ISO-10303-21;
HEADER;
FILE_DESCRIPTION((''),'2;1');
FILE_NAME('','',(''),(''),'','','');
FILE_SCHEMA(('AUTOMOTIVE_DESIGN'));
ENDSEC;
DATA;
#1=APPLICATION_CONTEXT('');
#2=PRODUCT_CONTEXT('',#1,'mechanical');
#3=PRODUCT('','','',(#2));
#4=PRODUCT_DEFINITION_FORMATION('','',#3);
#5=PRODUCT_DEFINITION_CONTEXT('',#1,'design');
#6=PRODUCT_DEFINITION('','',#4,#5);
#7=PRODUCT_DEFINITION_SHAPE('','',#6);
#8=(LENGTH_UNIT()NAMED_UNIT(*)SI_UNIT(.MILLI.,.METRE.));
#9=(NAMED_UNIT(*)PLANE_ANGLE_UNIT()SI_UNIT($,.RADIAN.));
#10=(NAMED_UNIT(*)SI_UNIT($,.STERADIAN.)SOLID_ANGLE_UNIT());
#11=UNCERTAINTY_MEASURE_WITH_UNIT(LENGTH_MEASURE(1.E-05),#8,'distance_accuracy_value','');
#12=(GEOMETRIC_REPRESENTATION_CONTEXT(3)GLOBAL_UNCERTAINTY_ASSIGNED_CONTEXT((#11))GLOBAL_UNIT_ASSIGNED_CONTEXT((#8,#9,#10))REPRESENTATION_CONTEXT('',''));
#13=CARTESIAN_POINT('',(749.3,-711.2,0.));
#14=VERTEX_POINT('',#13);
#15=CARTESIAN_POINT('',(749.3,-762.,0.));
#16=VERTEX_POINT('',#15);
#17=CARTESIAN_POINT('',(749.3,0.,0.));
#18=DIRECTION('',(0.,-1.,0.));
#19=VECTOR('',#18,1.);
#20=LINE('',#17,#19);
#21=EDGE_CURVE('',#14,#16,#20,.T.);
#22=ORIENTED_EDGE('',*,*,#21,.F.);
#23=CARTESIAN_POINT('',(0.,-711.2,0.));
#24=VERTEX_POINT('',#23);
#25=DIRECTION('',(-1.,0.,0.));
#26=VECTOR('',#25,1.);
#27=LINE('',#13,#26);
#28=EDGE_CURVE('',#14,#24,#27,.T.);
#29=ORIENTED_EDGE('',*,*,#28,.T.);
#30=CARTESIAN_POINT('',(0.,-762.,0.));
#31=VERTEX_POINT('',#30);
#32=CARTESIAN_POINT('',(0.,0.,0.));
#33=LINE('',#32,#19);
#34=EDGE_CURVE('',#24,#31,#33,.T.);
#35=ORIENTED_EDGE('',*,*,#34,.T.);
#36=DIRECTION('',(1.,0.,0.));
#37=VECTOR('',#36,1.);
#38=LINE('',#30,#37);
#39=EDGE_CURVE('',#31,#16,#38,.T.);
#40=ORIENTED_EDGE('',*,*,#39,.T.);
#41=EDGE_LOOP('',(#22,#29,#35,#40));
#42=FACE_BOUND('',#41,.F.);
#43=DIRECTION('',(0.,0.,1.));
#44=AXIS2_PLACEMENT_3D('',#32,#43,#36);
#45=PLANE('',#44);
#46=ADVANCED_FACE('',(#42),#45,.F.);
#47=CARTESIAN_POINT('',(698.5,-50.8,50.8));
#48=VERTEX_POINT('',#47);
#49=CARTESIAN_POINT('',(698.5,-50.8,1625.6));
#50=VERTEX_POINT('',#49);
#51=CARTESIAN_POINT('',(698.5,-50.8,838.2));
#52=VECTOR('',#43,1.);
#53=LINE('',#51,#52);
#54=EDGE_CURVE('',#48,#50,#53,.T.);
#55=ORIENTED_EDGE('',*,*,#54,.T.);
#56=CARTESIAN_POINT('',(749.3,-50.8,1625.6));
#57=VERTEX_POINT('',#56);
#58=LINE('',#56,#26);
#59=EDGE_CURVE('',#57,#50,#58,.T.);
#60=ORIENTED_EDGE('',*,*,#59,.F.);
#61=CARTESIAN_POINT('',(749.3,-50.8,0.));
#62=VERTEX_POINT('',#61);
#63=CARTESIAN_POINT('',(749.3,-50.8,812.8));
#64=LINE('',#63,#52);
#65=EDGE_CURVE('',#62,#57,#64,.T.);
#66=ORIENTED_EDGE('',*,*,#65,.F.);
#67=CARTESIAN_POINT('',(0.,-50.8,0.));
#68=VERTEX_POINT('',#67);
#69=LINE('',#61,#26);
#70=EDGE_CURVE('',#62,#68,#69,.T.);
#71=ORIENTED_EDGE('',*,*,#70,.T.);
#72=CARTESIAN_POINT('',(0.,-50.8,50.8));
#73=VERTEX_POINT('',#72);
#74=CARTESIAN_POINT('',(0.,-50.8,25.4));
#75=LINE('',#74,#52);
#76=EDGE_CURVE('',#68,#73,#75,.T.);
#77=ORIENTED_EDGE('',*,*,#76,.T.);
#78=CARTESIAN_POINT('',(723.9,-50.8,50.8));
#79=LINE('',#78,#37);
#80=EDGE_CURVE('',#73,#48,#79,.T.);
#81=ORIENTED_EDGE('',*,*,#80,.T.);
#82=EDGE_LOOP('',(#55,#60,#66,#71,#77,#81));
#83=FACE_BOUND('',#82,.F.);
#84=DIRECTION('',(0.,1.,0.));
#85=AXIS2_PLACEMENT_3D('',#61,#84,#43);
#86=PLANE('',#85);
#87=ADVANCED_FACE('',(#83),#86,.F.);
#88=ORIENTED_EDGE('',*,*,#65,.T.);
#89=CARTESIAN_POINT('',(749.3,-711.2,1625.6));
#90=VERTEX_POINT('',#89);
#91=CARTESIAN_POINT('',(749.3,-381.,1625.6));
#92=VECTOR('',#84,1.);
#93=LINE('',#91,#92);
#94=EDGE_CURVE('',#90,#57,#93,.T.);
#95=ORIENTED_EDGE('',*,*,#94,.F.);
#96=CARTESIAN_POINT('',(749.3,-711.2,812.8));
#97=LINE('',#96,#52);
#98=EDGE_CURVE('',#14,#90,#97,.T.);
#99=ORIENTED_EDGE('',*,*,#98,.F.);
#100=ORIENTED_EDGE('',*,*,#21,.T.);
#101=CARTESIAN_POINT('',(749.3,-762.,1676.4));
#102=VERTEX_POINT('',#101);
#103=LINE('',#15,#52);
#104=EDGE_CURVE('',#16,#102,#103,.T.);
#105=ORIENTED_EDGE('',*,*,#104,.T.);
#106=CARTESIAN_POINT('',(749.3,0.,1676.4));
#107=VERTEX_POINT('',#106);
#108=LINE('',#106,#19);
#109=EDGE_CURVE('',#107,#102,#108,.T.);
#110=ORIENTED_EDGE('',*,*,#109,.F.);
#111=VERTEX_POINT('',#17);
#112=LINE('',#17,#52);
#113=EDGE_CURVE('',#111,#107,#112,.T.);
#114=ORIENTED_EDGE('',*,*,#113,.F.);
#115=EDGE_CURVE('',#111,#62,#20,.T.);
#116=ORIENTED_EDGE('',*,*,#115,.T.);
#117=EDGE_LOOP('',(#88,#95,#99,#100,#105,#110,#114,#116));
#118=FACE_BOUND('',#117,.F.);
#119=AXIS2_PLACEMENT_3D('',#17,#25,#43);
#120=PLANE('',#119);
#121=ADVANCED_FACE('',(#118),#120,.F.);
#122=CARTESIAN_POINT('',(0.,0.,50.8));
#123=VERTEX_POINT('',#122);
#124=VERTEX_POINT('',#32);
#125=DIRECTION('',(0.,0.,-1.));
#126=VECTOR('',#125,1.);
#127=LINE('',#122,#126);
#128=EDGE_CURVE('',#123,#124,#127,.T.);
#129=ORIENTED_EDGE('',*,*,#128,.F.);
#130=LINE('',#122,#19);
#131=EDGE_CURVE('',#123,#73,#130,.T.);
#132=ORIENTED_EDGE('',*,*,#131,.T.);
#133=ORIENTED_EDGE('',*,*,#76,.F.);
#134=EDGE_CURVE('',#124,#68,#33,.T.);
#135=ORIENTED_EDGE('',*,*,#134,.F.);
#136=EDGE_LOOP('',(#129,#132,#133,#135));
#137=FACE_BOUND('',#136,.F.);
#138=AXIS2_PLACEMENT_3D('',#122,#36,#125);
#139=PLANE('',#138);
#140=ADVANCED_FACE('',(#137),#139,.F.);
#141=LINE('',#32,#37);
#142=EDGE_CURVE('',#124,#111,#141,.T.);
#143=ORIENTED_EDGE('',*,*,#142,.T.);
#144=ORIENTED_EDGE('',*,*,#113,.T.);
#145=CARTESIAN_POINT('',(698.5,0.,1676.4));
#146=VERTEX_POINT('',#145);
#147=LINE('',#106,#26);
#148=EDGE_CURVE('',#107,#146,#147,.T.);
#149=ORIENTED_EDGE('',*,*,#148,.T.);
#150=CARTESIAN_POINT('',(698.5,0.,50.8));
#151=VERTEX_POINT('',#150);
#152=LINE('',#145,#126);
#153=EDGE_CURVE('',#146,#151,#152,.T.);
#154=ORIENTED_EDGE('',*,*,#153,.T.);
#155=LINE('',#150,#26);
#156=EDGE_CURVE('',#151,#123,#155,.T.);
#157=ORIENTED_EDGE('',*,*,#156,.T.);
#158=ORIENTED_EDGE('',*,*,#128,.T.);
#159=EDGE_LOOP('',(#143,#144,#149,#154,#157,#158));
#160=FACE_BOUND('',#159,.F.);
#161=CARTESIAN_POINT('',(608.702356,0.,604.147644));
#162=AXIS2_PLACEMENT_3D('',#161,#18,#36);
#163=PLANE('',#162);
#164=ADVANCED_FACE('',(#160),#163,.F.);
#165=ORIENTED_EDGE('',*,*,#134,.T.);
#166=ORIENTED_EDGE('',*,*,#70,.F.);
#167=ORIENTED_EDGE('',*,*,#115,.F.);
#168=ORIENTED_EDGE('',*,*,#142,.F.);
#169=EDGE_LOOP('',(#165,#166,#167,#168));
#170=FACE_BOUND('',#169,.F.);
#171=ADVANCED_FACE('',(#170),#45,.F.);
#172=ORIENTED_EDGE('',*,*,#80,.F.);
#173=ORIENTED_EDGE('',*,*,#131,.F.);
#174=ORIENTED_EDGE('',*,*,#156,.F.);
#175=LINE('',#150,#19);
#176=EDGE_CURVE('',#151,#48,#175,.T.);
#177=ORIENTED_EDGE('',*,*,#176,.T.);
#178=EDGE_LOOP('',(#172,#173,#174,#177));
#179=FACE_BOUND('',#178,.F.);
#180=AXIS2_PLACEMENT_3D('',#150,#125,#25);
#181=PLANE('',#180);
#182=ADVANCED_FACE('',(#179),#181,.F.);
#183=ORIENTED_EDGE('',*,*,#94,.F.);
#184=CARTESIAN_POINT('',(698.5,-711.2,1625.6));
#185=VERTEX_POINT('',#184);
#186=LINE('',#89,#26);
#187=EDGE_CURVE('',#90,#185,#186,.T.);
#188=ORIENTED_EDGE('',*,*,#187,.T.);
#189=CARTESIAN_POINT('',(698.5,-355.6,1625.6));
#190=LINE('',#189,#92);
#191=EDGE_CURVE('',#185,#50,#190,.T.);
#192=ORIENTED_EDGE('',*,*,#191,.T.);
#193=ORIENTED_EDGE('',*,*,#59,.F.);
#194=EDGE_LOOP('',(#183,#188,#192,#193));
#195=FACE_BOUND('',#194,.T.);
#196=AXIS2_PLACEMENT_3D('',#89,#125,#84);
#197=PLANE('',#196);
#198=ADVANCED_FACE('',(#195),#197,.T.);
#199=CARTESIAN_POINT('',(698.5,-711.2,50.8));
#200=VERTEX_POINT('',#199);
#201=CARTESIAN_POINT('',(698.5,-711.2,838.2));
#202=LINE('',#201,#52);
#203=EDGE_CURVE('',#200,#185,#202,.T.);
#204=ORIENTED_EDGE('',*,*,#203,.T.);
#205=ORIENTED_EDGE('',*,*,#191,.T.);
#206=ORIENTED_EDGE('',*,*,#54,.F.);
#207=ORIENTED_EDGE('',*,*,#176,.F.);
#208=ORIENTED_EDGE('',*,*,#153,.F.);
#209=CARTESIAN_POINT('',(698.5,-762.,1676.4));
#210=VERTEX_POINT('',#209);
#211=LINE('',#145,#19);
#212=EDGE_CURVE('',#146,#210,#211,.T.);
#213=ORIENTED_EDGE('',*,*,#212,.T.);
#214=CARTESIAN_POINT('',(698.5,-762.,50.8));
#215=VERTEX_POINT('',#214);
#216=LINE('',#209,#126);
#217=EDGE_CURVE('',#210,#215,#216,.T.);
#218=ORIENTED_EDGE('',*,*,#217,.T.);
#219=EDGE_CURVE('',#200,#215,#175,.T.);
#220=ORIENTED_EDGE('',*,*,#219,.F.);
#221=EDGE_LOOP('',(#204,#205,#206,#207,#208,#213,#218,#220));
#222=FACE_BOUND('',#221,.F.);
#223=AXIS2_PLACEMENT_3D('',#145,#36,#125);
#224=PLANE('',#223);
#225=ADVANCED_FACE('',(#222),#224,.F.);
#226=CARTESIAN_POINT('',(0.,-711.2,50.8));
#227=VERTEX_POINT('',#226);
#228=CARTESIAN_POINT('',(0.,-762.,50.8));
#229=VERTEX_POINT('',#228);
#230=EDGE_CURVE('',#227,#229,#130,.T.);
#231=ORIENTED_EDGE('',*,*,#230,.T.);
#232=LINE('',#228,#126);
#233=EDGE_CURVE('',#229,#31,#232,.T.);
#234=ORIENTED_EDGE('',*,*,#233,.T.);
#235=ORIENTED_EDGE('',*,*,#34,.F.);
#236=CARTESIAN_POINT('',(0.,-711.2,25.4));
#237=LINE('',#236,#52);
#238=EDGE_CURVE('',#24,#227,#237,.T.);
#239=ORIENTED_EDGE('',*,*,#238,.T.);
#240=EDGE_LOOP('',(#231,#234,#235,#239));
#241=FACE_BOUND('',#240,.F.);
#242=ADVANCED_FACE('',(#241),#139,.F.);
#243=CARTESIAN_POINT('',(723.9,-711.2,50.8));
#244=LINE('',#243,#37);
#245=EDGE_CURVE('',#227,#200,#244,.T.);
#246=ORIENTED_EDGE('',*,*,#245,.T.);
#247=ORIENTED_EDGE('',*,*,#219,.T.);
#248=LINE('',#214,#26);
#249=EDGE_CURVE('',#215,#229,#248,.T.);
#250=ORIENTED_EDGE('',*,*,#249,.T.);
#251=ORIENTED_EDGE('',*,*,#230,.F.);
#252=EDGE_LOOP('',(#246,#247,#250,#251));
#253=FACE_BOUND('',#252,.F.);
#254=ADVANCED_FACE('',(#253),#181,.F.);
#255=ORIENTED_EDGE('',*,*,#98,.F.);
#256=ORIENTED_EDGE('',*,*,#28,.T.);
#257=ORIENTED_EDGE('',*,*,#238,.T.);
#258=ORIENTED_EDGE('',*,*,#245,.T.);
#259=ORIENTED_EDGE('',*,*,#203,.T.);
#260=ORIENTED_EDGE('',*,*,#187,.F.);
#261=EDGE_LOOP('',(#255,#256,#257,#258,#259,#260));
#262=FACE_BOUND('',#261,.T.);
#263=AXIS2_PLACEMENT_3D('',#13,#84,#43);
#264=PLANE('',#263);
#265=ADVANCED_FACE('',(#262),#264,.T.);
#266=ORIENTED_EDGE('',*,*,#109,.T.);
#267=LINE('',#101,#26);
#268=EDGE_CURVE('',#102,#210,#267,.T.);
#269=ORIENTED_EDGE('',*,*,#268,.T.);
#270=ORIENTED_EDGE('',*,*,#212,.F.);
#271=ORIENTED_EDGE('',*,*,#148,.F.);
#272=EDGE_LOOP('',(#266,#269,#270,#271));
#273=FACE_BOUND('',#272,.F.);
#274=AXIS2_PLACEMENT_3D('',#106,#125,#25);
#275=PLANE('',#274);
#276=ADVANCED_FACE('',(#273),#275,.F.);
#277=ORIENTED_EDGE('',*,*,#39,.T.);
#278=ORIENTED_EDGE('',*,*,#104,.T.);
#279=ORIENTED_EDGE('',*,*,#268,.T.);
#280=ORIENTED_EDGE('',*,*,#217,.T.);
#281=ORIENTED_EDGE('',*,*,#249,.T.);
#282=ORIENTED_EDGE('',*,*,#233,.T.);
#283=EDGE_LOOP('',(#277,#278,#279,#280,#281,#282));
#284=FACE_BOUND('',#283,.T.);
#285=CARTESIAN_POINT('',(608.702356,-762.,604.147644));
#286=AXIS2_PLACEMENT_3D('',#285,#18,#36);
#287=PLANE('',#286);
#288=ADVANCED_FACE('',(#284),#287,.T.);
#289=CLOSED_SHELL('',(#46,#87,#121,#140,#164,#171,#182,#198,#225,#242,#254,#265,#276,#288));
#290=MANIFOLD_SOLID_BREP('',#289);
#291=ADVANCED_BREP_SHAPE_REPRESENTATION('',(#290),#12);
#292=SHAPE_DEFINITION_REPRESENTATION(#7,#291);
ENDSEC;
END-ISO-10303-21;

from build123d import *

# Parameters (mm, degrees)
F1_DEPTH = 762
F2_W     = 660.4
F2_H     = 1625.6
F3_DEPTH = 749.301


with BuildPart() as f1:
    # F0 (on Front) → F1 (new body)
    with BuildSketch(Plane.XZ):
        Polygon((0, 50.8), (0, 0), (749.3, 0), (749.3, 1676.4), (698.5, 1676.4), (698.5, 50.8), align=None)
    extrude(amount=F1_DEPTH)

    # F2 (on face) → F3 (cut, through all)
    with BuildSketch(Plane.YZ.offset(749.3)):
        with Locations((-381, 812.8)):
            Rectangle(F2_W, F2_H)
    extrude(amount=-F3_DEPTH, mode=Mode.SUBTRACT)


solid = f1.part
